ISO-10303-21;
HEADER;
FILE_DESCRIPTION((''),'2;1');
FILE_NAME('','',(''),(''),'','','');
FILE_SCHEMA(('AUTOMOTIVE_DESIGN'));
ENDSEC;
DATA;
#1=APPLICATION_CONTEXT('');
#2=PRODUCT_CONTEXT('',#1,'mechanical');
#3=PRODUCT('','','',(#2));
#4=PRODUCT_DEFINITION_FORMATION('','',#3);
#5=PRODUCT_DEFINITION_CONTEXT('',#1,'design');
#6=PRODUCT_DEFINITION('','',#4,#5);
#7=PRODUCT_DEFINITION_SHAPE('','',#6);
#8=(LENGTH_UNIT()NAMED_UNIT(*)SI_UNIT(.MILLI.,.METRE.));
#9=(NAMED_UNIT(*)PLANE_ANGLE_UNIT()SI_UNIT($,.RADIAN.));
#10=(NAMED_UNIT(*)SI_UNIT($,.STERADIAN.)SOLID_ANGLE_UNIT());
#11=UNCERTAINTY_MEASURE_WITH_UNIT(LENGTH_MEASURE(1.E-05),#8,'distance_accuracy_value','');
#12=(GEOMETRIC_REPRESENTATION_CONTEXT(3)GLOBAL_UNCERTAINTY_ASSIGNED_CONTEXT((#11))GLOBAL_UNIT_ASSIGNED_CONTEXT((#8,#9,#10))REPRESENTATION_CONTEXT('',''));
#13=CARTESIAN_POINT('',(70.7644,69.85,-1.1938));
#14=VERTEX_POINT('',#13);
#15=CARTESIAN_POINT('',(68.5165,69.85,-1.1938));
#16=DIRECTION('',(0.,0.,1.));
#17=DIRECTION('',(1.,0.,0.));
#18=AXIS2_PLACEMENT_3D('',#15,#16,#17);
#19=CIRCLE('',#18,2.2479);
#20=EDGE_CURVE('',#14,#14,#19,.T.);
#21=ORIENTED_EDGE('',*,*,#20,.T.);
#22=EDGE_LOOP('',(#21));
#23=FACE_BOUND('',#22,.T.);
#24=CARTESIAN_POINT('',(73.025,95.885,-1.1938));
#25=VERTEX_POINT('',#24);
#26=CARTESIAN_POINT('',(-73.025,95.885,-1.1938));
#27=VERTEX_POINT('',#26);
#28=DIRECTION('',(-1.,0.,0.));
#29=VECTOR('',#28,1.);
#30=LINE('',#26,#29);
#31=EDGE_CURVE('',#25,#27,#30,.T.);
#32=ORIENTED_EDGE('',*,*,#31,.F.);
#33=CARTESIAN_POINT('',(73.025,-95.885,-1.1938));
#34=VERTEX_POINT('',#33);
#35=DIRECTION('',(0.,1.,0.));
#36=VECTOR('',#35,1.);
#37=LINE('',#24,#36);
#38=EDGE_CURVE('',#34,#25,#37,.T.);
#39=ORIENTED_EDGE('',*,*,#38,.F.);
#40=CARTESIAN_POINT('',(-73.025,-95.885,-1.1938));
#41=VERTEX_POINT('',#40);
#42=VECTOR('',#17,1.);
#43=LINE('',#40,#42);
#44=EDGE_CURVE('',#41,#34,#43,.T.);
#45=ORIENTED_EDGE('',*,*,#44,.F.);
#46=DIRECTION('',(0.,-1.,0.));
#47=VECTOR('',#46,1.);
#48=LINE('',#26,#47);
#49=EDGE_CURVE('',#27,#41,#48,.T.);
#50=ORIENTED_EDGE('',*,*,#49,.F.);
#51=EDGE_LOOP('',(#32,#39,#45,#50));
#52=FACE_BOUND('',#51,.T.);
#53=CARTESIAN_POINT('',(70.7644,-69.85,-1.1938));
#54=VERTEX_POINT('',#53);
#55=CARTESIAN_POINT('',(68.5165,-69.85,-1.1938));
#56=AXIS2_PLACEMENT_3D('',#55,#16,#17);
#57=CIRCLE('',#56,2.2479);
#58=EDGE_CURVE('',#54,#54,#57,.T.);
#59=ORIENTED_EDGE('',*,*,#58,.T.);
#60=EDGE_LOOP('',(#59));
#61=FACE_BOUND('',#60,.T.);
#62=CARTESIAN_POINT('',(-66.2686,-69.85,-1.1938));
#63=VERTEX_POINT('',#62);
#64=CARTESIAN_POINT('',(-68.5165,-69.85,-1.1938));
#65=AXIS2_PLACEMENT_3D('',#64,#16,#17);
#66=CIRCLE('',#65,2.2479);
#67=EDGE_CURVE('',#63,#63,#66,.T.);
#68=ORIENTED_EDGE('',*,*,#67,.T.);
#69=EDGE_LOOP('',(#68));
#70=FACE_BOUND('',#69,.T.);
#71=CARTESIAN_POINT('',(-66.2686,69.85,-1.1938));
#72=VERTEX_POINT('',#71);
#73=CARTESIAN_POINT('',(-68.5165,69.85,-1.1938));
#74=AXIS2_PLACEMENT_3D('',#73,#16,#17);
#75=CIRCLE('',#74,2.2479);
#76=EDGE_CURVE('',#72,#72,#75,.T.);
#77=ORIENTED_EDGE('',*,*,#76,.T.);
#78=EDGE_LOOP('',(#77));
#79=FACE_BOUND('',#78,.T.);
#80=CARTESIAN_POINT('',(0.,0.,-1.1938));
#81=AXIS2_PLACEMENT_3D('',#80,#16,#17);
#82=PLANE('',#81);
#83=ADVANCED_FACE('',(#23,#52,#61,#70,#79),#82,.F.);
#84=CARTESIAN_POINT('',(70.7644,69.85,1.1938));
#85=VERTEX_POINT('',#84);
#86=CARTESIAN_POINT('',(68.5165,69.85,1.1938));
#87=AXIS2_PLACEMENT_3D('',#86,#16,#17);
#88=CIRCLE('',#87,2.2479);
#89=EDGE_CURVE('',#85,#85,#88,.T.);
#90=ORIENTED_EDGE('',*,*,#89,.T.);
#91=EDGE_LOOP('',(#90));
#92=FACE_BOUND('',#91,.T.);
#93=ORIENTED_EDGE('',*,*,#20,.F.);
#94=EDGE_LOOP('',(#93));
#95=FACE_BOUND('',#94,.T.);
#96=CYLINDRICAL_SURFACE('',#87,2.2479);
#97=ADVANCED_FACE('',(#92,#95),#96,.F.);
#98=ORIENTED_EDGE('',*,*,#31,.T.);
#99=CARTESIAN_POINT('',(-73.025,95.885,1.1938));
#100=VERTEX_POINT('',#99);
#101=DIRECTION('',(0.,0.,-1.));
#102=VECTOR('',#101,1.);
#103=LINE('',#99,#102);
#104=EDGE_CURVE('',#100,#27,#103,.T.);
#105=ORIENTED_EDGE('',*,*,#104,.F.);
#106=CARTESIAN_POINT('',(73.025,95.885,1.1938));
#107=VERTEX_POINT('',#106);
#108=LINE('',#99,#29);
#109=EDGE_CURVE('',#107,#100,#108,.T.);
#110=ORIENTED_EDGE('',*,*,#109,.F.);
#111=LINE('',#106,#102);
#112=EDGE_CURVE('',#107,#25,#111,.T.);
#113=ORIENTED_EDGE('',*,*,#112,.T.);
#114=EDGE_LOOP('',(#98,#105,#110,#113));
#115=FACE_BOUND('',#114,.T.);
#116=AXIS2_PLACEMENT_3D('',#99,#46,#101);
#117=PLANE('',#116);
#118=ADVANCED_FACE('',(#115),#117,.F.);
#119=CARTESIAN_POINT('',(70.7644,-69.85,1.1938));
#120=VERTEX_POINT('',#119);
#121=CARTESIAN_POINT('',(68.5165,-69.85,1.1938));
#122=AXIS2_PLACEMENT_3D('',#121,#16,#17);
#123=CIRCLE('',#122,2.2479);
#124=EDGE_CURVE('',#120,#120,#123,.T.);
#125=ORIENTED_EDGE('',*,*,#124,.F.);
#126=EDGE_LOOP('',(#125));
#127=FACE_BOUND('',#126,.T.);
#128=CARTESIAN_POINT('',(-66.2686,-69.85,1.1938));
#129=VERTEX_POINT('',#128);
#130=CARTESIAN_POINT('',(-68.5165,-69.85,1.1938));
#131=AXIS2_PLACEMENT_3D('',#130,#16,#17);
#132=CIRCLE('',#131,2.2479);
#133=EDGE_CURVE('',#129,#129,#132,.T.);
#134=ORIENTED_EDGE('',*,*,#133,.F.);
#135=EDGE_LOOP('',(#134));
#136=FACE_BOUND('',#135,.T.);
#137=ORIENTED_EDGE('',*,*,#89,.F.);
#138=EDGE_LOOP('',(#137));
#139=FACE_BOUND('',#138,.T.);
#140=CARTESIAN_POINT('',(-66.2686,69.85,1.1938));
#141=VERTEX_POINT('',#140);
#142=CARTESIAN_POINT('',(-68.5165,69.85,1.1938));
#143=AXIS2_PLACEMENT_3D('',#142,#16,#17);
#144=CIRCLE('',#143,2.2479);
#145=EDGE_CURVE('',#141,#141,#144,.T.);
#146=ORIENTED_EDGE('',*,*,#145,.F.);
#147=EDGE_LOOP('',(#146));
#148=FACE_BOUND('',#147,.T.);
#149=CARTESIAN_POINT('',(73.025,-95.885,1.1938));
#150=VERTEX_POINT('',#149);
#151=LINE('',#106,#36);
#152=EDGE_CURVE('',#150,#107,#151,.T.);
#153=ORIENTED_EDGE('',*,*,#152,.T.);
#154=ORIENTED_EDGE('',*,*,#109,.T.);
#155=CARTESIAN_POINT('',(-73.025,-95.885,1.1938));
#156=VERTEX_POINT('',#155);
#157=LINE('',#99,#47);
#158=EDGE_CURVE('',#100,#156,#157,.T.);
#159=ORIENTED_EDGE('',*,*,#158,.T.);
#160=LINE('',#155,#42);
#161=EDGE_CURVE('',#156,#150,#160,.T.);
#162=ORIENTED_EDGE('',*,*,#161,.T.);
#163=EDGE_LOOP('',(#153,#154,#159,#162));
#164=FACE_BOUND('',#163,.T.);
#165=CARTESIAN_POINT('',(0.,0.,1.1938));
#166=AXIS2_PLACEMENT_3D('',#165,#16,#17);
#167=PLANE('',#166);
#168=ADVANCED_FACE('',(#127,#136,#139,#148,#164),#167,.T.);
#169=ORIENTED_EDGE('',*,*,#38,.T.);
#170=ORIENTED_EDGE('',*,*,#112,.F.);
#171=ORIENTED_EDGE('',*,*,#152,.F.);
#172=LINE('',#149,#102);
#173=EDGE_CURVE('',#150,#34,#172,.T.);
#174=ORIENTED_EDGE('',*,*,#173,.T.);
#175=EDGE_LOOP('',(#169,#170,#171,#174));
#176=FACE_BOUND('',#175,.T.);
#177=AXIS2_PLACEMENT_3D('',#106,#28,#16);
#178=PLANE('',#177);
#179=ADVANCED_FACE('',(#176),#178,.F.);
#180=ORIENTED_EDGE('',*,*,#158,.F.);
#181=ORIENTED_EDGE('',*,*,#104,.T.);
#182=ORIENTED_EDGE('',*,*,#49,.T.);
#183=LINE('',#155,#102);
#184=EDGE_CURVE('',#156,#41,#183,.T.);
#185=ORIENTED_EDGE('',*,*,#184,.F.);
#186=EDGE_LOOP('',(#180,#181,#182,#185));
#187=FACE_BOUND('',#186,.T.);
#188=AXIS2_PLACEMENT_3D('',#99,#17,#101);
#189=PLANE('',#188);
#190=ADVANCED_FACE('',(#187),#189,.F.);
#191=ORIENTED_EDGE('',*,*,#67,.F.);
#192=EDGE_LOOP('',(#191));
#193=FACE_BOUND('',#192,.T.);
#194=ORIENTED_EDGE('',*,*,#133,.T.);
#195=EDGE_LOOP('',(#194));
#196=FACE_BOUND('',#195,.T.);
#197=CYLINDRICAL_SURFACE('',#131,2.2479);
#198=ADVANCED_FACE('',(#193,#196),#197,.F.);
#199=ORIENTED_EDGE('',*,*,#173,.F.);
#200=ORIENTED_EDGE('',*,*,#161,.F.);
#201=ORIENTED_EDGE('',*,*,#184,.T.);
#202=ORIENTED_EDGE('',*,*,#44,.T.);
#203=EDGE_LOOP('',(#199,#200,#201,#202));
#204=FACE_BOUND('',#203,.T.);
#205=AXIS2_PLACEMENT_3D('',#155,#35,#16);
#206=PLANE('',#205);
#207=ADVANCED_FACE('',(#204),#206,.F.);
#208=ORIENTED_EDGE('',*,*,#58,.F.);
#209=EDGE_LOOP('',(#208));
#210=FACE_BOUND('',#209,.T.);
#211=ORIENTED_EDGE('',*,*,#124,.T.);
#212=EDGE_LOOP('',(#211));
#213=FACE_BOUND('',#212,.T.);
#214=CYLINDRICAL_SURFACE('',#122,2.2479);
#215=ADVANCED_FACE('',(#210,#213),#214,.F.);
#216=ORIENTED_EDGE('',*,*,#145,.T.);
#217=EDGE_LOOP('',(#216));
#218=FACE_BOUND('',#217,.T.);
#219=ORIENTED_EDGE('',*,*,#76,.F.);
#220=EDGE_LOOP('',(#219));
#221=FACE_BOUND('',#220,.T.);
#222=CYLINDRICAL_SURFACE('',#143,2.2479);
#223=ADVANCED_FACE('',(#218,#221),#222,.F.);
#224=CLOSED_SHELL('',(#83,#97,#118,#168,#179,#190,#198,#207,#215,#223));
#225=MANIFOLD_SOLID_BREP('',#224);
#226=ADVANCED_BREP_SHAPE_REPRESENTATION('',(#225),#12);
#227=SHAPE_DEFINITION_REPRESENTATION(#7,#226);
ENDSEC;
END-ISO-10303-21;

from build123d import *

# Parameters (mm, degrees)
SKETCH1_W             = 146.05
SKETCH1_H             = 191.77
BOSS_EXTRUDE1_DEPTH   = 1.1938
F_8_CLEARANCE_HOLE1_D = 4.4958


with BuildPart() as part:
    # Sketch1 → Boss-Extrude1 (new body, symmetric)
    with BuildSketch(Plane.XY):
        Rectangle(SKETCH1_W, SKETCH1_H)
    extrude(amount=BOSS_EXTRUDE1_DEPTH, both=True)

    # #8 Clearance Hole1 (through all)
    with Locations(Plane(origin=(68.5165, 69.85, 1.1938), x_dir=(1, 0, 0), z_dir=(0, 0, 1))):
        with Locations((0, 0), (-137.033, 0), (-137.033, -139.7), (0, -139.7)):
            Hole(F_8_CLEARANCE_HOLE1_D / 2)


solid = part.part
